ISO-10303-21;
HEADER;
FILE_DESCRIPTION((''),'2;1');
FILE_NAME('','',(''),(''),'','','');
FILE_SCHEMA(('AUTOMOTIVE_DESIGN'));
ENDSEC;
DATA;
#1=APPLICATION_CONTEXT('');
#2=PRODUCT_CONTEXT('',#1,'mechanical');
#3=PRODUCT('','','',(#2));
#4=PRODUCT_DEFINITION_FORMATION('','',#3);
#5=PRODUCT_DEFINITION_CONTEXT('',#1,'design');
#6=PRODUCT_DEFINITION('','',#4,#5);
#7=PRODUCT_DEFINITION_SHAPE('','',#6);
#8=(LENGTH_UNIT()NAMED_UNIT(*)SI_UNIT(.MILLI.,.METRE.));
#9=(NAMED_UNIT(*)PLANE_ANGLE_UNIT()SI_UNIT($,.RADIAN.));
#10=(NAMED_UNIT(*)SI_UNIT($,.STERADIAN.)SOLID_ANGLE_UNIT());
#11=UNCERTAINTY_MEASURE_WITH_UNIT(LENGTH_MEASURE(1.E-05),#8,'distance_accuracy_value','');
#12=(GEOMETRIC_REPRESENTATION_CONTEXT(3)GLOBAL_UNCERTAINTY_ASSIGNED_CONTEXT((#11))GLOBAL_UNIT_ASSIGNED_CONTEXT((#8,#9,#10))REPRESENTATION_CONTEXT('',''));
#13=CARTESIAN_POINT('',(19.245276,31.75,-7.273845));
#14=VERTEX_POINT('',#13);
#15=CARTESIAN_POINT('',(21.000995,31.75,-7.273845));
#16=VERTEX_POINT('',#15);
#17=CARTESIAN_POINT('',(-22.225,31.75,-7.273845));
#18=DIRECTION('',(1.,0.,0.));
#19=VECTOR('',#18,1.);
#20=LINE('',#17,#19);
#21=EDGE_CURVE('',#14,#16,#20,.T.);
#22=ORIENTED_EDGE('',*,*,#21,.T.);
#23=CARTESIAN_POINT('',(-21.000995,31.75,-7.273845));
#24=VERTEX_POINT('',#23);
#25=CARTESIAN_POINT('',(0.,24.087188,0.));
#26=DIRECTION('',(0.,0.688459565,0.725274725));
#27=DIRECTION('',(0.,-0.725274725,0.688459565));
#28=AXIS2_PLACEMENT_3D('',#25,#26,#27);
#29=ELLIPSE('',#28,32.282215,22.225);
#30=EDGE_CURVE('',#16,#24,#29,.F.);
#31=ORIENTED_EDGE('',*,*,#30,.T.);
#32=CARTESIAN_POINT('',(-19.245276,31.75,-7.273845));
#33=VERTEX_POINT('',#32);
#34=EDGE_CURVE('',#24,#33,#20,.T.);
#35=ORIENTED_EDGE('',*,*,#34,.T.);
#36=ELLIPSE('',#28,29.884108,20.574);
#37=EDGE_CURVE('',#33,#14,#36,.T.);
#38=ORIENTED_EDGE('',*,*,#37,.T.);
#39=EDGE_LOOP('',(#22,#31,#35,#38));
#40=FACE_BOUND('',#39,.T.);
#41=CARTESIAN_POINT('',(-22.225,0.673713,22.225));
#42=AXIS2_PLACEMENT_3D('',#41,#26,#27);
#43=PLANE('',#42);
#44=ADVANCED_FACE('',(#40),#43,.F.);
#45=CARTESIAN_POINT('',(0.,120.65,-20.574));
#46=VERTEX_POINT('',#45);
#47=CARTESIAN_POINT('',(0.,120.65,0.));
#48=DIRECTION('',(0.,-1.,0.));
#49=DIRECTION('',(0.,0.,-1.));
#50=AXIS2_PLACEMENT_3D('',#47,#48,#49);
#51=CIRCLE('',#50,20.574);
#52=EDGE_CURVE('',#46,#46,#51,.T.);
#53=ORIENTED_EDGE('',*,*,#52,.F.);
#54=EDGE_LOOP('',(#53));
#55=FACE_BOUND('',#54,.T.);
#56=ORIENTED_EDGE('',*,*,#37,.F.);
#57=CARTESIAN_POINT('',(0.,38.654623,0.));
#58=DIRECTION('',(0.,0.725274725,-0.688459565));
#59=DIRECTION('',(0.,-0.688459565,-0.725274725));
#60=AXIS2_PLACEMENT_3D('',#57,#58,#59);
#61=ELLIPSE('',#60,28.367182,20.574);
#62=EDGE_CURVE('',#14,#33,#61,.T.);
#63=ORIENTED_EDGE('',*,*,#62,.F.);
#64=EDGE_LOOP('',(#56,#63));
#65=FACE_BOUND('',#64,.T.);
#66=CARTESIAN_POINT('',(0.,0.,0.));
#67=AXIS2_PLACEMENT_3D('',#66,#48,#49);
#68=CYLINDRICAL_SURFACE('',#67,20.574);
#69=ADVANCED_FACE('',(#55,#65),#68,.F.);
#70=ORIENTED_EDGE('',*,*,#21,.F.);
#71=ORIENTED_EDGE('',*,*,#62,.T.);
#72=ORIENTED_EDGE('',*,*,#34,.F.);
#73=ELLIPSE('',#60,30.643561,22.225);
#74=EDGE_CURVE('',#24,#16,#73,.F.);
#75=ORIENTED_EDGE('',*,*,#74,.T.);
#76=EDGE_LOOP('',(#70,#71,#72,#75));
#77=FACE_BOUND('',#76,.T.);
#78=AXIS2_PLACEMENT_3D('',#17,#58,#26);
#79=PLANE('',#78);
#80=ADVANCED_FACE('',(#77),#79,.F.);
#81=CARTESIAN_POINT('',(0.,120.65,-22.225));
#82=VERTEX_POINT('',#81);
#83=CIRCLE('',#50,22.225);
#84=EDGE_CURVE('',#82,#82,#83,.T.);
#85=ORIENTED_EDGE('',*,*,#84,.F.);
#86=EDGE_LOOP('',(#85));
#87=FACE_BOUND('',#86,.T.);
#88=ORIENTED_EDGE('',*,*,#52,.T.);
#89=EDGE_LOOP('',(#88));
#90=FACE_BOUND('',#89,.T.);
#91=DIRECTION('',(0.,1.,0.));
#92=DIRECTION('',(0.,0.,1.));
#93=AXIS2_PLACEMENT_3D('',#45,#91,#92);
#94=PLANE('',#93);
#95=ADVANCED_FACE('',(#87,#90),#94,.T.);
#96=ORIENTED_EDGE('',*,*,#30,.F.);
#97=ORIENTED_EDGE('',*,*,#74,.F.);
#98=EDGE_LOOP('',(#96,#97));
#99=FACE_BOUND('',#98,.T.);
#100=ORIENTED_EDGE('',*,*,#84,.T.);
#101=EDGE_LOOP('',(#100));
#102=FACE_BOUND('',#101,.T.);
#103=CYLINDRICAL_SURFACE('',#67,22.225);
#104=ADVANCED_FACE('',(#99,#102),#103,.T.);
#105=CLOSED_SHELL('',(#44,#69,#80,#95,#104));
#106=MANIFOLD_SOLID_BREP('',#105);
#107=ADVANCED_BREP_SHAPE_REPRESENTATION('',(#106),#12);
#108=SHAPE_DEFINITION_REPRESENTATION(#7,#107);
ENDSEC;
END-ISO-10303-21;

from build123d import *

# Parameters (mm, degrees)
SKETCH1_W               = 1.651
SKETCH1_H               = 120.65
CUT_EXTRUDE1_DEPTH      = 20.685
CUT_EXTRUDE1_DEPTH_BACK = 25.765


with BuildPart() as part:
    # Sketch1 → Revolve1 (revolve)
    with BuildSketch(Plane(origin=(0, 0, 0), x_dir=(0, 0, -1), z_dir=(1, 0, 0))):
        with Locations((21.3995, 60.325)):
            Rectangle(SKETCH1_W, SKETCH1_H)
    revolve(axis=Axis((0, 0, 0), (0, 1, 0)))

    # Sketch3 → Cut-Extrude1 (cut, two sides)
    with BuildSketch(Plane(origin=(2.54, 0, 0), x_dir=(0, 0, -1), z_dir=(1, 0, 0))) as cut_extrude1_sk:
        Polygon((22.225, 17.557770233), (22.225, 0), (-22.225, 0), (-22.225, 0.673713291), (7.273845181, 31.75), align=None)
    extrude(amount=CUT_EXTRUDE1_DEPTH, mode=Mode.SUBTRACT)
    extrude(cut_extrude1_sk.sketch, amount=-CUT_EXTRUDE1_DEPTH_BACK, mode=Mode.SUBTRACT)


solid = part.part
